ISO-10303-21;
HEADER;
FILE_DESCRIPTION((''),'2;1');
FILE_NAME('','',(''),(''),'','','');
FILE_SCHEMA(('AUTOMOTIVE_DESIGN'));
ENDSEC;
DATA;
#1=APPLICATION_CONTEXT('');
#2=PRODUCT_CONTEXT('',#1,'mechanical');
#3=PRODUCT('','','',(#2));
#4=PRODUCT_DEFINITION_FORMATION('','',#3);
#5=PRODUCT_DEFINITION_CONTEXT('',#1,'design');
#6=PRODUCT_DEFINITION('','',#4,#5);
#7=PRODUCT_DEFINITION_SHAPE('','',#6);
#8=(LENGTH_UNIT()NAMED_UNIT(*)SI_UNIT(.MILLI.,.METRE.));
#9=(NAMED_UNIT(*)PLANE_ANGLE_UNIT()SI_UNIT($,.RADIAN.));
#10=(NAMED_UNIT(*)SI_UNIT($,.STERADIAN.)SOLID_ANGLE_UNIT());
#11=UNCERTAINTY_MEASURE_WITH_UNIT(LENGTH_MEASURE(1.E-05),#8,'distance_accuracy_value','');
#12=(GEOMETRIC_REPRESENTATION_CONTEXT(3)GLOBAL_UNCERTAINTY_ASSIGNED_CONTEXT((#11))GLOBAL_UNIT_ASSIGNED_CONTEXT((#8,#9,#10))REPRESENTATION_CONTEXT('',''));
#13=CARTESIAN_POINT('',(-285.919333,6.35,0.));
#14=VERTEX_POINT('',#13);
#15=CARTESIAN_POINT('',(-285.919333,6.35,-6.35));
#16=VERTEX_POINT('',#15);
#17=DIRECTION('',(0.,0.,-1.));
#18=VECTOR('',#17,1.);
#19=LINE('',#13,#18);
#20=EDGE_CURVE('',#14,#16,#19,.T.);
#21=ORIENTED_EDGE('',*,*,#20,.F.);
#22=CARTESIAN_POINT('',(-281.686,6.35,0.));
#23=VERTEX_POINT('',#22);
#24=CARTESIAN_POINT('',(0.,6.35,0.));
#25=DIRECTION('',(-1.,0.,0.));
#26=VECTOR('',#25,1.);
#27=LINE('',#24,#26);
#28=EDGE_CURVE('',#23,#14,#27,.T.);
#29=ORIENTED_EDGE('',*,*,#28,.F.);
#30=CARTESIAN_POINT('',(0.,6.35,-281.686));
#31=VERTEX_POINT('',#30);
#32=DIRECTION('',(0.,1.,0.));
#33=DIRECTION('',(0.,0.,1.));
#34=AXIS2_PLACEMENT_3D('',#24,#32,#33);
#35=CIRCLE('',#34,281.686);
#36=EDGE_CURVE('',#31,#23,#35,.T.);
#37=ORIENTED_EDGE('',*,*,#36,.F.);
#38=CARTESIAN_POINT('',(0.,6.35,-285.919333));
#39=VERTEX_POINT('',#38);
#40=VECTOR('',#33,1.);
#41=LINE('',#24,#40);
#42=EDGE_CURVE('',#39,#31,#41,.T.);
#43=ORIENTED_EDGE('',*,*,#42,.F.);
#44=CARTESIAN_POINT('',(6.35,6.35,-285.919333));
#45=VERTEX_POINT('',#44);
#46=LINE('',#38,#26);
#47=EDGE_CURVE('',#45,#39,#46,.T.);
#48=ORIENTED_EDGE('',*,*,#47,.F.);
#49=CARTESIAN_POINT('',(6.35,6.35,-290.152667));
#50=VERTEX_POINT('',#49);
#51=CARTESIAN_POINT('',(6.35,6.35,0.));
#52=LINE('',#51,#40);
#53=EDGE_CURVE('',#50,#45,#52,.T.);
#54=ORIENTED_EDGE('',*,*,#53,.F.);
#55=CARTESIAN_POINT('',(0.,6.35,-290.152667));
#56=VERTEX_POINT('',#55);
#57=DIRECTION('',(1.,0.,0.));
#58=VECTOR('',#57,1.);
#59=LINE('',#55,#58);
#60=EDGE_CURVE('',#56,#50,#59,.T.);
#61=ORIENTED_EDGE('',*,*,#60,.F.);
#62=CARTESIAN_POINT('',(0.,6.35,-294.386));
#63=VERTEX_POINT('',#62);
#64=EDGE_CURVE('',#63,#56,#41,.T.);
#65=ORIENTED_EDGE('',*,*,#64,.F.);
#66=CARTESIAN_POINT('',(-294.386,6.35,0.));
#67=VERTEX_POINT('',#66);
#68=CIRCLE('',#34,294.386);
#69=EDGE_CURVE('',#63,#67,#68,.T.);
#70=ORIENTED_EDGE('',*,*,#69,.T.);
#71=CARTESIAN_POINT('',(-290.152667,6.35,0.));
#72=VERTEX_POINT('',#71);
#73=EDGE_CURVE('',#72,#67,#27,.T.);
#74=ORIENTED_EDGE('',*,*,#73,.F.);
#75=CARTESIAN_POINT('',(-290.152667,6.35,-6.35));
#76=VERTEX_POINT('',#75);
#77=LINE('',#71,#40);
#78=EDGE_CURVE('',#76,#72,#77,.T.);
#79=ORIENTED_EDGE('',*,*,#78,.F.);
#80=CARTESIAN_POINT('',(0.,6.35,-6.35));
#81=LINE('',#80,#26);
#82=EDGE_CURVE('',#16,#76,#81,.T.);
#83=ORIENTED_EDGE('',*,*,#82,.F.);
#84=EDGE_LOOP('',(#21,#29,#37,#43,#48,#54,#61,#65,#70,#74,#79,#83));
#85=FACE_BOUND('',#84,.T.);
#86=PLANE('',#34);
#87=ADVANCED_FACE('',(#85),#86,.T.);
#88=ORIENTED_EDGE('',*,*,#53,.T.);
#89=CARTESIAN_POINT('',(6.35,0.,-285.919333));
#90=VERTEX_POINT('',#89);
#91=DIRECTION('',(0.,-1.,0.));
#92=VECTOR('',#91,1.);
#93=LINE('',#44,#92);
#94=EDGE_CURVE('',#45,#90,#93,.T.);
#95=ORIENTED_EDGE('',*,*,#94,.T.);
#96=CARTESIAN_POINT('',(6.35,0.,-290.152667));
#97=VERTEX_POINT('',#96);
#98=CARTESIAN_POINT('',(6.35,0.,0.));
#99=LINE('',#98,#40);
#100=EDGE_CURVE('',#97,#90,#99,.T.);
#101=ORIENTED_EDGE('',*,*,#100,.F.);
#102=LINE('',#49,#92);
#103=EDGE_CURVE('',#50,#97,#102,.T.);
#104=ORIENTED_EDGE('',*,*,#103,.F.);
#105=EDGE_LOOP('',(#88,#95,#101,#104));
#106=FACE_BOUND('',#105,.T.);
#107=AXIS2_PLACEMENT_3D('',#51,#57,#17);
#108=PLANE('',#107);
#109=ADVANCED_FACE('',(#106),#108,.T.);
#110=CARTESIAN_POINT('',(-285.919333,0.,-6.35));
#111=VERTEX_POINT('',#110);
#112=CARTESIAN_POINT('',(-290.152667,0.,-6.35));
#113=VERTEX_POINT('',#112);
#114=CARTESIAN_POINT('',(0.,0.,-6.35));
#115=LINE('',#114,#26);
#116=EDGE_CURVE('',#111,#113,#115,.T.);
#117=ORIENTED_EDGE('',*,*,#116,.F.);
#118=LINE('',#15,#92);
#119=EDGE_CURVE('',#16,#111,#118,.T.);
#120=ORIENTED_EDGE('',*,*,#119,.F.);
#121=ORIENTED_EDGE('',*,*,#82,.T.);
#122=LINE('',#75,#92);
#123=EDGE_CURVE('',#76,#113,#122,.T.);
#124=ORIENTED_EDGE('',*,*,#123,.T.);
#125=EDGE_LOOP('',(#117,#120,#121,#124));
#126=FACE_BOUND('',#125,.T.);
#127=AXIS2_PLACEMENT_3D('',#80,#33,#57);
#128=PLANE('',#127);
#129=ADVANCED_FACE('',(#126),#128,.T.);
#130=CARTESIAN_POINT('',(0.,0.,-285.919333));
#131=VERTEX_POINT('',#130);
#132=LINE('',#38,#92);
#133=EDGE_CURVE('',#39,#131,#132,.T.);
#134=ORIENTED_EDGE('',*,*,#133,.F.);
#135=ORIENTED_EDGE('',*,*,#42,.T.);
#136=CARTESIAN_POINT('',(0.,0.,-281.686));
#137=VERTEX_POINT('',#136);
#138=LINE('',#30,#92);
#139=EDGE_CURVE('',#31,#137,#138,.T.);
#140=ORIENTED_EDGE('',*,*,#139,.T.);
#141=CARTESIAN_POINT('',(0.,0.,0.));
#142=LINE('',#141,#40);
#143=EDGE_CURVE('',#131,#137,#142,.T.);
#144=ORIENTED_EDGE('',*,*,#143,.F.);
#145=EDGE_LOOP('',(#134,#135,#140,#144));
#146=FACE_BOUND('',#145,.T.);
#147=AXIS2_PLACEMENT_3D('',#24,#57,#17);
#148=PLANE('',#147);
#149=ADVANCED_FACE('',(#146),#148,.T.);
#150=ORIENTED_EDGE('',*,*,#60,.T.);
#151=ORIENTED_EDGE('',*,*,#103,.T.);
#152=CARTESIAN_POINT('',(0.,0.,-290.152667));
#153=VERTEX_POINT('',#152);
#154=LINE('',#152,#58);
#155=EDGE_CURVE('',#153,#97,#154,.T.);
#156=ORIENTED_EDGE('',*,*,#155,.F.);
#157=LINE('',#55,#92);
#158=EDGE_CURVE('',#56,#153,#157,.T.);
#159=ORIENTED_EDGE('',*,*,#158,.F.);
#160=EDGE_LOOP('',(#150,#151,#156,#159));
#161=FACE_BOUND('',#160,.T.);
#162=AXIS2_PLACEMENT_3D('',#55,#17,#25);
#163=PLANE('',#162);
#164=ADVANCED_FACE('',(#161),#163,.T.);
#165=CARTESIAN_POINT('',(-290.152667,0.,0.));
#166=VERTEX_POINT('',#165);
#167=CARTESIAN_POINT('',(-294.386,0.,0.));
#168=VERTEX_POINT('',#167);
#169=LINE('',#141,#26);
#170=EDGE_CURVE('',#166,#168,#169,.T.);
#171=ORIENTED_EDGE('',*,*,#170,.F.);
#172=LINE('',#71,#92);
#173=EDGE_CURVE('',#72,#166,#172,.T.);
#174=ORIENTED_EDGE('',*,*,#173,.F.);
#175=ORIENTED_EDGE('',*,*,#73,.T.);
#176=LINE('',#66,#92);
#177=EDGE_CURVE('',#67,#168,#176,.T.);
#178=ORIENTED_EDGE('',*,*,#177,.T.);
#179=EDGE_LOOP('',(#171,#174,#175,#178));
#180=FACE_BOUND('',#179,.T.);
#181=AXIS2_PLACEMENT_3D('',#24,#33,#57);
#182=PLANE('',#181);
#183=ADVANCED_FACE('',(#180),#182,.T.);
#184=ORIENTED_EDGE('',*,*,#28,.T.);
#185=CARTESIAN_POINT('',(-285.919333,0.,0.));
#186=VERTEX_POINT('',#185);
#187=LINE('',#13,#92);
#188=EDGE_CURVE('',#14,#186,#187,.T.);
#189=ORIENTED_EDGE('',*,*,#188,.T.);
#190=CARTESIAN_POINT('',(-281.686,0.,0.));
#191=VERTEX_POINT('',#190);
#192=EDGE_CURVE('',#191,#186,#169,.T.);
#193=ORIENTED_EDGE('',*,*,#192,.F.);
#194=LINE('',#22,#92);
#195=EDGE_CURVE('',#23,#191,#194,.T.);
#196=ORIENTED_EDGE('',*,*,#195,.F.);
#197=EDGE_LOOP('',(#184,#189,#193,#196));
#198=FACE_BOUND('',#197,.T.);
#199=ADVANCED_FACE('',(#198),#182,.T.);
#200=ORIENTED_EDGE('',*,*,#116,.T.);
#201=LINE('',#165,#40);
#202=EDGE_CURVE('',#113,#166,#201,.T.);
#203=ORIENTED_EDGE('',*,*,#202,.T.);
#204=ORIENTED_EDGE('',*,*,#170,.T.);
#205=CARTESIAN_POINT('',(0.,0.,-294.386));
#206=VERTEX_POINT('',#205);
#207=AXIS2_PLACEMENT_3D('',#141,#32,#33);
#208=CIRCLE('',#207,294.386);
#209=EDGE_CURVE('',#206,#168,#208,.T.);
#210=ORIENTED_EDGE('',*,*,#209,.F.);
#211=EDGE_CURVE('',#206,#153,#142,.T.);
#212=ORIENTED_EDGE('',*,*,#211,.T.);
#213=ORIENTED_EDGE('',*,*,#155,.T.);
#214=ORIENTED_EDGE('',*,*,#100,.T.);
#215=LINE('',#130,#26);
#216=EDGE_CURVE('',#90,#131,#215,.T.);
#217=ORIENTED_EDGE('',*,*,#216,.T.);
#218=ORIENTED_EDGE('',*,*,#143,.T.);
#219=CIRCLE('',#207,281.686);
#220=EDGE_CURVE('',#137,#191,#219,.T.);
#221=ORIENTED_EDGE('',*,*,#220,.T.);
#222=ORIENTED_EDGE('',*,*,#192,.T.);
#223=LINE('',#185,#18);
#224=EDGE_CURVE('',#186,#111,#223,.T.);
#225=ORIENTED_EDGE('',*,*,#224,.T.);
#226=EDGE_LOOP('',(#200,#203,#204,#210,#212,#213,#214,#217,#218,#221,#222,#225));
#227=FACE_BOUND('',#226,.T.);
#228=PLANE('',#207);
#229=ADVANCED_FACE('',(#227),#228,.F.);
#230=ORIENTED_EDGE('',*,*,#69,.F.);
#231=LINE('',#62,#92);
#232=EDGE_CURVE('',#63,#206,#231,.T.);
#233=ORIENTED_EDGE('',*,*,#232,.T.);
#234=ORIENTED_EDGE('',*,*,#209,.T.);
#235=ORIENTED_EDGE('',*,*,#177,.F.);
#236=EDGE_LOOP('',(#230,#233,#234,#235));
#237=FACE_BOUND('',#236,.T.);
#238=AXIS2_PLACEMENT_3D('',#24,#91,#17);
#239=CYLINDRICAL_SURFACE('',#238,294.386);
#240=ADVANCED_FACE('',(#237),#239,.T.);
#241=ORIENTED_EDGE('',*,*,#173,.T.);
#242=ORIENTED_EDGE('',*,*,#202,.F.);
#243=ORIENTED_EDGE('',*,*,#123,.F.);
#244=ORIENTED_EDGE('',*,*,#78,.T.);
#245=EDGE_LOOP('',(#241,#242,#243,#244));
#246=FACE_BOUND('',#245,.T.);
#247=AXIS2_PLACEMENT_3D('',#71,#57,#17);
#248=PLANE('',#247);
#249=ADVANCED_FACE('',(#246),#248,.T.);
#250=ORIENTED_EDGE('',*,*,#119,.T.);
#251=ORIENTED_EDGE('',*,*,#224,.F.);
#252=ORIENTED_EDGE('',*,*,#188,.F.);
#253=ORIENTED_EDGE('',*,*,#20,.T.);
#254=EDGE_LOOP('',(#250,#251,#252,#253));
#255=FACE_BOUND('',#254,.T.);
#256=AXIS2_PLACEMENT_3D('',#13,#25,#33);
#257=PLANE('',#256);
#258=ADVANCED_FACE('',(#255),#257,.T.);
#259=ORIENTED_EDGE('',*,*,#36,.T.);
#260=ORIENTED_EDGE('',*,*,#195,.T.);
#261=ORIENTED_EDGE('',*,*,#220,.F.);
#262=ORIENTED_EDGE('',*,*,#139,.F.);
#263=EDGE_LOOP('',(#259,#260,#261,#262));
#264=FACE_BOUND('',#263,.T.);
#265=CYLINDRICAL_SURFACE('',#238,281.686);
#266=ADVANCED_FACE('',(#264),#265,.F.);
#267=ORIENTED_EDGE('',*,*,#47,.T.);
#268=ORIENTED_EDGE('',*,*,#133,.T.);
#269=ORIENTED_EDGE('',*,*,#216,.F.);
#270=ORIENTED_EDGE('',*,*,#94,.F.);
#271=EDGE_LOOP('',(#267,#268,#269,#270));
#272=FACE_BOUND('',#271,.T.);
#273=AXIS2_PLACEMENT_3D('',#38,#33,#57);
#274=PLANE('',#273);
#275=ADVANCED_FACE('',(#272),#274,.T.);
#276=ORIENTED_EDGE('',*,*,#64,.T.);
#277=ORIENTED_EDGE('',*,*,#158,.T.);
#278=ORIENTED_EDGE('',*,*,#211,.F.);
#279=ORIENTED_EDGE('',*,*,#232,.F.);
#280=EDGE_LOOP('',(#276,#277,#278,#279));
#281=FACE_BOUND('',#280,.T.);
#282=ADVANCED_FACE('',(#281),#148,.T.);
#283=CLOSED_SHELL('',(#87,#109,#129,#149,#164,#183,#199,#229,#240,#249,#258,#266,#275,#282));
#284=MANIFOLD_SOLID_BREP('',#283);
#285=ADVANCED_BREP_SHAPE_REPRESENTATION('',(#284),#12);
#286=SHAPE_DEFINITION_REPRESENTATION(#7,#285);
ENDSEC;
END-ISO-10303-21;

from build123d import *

# Parameters (mm, degrees)
BOSS_EXTRUDE1_DEPTH = 6.35


with BuildPart() as part:
    # Sketch1 → Boss-Extrude1 (new body)
    with BuildSketch(Plane(origin=(0, 0, 0), x_dir=(1, 0, 0), z_dir=(0, 1, 0))):
        with BuildLine():
            Line((0, 294.386), (0, 290.152666667))
            Line((0, 290.152666667), (6.35, 290.152666667))
            Line((6.35, 290.152666667), (6.35, 285.919333333))
            Line((6.35, 285.919333333), (0, 285.919333333))
            Line((0, 285.919333333), (0, 281.686))
            ThreePointArc((0, 281.686), (-199.182080765, 199.182080765), (-281.686, 0))
            Line((-281.686, 0), (-285.919333333, 0))
            Line((-285.919333333, 0), (-285.919333333, 6.35))
            Line((-285.919333333, 6.35), (-290.152666667, 6.35))
            Line((-290.152666667, 6.35), (-290.152666667, 0))
            Line((-290.152666667, 0), (-294.386, 0))
            ThreePointArc((-294.386, 0), (-208.162336886, 208.162336886), (0, 294.386))
        make_face()
    extrude(amount=BOSS_EXTRUDE1_DEPTH)


solid = part.part
